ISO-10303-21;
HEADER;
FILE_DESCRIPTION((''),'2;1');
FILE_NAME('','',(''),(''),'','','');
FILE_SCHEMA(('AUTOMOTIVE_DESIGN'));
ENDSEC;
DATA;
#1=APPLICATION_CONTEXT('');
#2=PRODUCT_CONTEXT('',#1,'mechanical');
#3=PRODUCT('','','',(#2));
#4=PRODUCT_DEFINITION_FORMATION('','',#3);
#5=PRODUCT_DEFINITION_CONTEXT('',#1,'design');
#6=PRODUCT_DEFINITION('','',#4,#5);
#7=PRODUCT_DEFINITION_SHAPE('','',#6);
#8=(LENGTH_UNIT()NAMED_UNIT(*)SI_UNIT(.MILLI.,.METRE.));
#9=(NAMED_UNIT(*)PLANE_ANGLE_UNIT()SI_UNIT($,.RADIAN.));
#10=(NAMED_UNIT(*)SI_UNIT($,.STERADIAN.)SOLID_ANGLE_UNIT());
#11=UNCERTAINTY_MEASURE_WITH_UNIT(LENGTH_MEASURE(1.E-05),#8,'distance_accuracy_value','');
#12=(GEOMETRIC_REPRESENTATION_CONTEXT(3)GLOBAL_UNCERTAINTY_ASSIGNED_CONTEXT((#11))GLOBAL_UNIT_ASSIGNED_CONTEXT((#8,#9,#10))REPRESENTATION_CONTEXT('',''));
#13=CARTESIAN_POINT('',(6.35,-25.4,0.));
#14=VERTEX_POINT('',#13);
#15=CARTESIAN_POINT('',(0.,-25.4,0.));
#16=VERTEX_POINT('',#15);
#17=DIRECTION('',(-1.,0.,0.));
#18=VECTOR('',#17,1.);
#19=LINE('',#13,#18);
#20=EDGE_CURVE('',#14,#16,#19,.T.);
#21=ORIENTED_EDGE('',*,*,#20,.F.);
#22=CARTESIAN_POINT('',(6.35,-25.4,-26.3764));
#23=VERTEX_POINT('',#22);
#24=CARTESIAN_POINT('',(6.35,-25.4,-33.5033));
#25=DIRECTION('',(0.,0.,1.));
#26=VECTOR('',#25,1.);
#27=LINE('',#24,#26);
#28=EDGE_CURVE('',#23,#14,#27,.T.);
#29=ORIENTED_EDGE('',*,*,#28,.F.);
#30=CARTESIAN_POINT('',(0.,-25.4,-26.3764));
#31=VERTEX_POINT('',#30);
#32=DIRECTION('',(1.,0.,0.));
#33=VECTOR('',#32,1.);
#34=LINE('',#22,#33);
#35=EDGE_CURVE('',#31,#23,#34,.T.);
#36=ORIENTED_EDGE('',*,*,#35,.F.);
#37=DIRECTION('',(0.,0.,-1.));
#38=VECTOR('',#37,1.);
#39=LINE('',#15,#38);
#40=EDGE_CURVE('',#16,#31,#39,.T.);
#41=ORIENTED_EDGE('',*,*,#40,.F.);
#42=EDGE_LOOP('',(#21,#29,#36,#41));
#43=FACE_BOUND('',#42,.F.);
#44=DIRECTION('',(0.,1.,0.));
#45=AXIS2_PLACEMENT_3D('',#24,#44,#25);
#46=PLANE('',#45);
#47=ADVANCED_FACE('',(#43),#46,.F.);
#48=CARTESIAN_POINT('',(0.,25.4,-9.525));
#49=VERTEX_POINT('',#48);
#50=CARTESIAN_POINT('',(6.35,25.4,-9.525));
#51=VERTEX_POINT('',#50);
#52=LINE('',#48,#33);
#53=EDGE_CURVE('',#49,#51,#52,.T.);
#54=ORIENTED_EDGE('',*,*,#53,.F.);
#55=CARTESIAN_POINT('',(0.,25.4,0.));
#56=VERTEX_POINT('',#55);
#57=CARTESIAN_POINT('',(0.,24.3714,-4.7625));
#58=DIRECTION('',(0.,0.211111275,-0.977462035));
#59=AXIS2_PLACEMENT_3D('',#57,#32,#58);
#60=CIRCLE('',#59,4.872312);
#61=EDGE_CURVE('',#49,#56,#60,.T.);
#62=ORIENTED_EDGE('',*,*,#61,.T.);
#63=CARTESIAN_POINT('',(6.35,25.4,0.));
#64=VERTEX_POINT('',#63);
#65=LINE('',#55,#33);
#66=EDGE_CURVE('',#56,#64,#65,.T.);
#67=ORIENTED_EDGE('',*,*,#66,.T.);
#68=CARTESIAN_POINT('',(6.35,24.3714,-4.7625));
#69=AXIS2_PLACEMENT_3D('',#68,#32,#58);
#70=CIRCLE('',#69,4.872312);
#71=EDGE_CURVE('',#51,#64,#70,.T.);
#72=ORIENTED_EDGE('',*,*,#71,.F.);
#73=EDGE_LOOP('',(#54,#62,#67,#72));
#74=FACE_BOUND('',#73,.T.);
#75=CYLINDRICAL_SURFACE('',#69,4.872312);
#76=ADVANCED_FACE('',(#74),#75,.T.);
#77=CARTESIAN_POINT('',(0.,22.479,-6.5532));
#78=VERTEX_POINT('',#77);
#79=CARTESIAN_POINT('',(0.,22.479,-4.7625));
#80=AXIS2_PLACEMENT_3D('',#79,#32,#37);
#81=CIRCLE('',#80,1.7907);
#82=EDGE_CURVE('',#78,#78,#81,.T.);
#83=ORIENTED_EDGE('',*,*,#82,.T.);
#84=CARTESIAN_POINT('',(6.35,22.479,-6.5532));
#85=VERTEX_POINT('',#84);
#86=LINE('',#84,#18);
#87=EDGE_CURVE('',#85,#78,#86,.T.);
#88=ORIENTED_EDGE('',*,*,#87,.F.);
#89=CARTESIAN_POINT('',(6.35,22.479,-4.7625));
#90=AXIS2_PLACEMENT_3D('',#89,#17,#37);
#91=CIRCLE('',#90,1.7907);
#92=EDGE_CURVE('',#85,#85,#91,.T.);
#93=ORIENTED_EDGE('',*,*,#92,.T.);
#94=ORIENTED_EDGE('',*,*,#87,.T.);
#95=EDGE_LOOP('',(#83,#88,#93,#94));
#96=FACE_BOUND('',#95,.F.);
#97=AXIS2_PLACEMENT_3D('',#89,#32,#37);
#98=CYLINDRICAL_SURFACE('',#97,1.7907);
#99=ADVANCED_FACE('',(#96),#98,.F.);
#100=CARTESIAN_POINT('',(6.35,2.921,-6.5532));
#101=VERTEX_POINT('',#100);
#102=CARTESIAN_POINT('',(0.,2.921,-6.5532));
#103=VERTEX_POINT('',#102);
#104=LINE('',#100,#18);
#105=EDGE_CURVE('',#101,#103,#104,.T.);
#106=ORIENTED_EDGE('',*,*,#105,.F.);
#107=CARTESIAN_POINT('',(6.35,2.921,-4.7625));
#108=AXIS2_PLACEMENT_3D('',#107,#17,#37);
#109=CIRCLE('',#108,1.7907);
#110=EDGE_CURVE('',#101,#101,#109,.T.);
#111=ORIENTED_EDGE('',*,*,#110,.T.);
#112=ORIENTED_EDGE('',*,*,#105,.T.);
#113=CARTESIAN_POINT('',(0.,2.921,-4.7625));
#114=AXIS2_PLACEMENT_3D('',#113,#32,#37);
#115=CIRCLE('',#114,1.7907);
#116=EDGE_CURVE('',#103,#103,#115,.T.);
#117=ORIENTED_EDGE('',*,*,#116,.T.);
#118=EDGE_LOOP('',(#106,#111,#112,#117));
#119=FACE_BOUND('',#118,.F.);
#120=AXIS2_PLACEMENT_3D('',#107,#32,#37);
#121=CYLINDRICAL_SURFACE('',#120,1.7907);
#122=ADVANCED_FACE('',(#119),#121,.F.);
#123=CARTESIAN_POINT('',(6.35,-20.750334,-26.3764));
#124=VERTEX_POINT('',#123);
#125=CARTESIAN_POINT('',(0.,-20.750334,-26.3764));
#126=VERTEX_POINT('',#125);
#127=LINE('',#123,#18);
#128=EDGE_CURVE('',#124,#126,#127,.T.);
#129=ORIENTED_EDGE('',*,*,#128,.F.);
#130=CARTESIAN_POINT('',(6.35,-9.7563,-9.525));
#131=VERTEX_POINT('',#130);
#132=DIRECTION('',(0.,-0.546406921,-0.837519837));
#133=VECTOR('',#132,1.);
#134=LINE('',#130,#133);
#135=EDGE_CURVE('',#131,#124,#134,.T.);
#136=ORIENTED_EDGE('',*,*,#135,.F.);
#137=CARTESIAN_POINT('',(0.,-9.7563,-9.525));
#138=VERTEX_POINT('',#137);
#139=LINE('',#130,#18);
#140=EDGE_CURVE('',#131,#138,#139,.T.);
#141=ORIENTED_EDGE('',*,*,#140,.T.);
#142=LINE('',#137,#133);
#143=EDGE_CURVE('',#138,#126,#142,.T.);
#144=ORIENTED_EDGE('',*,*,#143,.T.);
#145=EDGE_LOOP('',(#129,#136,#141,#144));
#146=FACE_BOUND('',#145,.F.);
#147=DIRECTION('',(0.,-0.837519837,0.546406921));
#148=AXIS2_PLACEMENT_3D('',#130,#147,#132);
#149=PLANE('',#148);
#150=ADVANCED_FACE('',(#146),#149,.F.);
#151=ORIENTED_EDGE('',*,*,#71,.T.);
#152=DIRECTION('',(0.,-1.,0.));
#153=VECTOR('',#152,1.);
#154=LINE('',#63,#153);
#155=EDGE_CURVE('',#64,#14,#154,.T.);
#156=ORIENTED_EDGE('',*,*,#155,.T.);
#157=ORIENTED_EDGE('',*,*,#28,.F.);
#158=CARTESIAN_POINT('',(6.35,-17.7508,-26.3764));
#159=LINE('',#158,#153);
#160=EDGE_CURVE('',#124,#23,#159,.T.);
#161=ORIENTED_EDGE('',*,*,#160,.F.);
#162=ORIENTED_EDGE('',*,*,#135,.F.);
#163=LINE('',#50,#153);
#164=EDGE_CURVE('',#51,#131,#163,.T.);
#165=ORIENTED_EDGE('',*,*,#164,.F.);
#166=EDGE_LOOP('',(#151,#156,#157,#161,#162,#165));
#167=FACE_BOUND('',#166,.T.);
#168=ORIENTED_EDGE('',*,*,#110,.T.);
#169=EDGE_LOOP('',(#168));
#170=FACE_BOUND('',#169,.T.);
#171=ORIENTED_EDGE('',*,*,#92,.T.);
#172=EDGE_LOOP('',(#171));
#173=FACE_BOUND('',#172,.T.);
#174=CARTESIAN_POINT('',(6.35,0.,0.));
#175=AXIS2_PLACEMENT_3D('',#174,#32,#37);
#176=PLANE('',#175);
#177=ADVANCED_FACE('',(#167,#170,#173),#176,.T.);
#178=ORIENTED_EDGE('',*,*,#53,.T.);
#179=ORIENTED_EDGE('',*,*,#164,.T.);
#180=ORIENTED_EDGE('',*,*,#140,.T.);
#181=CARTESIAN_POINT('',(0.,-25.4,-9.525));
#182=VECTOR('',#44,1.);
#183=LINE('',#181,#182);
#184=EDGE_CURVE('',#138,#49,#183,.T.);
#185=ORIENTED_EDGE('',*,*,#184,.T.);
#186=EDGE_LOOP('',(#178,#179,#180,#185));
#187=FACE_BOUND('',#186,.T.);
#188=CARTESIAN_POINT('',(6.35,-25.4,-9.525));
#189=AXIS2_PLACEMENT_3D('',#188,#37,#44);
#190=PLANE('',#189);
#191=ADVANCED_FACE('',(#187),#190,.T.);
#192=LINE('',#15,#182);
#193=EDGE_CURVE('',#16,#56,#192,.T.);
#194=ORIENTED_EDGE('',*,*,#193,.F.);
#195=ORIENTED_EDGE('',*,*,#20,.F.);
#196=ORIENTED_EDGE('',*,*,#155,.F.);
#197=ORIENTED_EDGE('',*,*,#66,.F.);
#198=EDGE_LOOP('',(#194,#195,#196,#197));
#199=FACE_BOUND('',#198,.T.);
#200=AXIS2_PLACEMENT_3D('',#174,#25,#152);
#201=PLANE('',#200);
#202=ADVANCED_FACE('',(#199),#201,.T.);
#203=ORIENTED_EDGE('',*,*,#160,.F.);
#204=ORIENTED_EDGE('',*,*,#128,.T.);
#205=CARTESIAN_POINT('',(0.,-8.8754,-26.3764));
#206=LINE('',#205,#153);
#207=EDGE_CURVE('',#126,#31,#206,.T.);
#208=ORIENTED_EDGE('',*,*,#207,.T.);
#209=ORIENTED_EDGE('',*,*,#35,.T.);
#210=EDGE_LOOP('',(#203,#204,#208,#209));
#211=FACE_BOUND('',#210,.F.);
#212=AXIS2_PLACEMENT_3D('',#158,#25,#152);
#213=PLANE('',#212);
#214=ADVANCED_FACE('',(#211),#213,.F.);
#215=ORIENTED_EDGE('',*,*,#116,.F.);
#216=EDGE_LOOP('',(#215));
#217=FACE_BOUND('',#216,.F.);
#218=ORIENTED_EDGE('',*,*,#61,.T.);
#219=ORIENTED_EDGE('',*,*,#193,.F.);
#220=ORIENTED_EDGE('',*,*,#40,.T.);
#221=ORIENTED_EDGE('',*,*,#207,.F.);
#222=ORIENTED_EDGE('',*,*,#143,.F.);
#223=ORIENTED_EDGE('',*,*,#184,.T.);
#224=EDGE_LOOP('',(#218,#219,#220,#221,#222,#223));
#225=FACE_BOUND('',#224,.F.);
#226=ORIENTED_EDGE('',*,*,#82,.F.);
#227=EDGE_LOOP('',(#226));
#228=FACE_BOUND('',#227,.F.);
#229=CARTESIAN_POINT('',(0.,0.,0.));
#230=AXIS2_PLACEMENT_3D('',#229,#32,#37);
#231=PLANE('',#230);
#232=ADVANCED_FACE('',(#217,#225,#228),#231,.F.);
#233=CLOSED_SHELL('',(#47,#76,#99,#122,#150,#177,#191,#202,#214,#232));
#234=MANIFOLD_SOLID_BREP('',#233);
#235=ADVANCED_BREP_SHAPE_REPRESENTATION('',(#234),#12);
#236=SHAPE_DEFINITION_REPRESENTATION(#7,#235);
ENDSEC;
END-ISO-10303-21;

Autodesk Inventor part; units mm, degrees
ref_plane "YZ Plane" through (0, 0, 0) normal (1, 0, 0) x (0, 1, 0)
ref_plane "XZ Plane" through (0, 0, 0) normal (0, 1, 0) x (-1, 0, 0)
ref_plane "XY Plane" through (0, 0, 0) normal (0, 0, 1) x (1, 0, 0)
sketch "Sketch1" plane through (0, 0, 0) normal (1, 0, 0) x (0, 1, 0)
  line L0 (0, 0) -> (25.4, 0)
  line L1 (25.4, 0) -> (25.4, -9.525)
  line L2 (25.4, -9.525) -> (0, -9.525)
  line L3 (0, -9.525) -> (0, 0)
  dimension "d0" = 25.4
  dimension "d1" = 9.525
extrude "Extrusion1" add sketch "Sketch1" along normal blind 6.35
sketch "Sketch2" plane through (6.35, 0, 0) normal (1, 0, 0) x (0, 0, -1)
  line L0 (9.525, 25.4) -> (0, 25.4) projected
  line L1 (0, 0) -> (9.525, 25.4)
  line L2 (9.525, 25.4) -> (0, 25.4)
  line L3 (0, 0) -> (9.525, 0) projected
  line L4 (0, 25.4) -> (9.525, 0)
  circle A0 centre (4.7625, 12.7) radius 9.779
  circle A1 centre (4.7625, 22.479) radius 1.7907
  circle A2 centre (4.7625, 2.921) radius 1.7907
  dimension "d4" = 19.558
  dimension "d5" = 3.5814
  dimension "d6" = 3.5814
extrude "Extrusion2" cut sketch "Sketch2" against normal blind 14.2875 contours A1 A0 | A0 A1 | A2 A0 | A0 A2
sketch "Sketch3" plane through (6.35, 0, 0) normal (1, 0, 0) x (0, 0, -1)
  line L0 (9.525, 25.4) -> (0, 25.4) projected
  arc A0 (9.525, 25.4) -> (0, 25.4) centre (4.7625, 24.3714) ccw
  point P0 (0, 0)
extrude "Extrusion3" add sketch "Sketch3" against normal blind 6.35
sketch "Sketch4" plane through (6.35, 0, 0) normal (1, 0, 0) x (0, 0, -1)
  line L0 (0, 0) -> (9.525, 0) projected
  line L1 (9.525, 0) -> (0, 0)
  line L2 (0, 0) -> (0, -25.4)
  line L3 (0, -25.4) -> (9.525, -25.4)
  line L4 (9.525, -25.4) -> (9.525, 0)
  dimension "d15" = 25.4
extrude "Extrusion4" add sketch "Sketch4" against normal blind 6.35
sketch "Sketch5" plane through (6.35, 0, 0) normal (1, 0, 0) x (0, 0, -1)
  line L0 (9.525, -25.4) -> (9.525, 25.4) projected
  line L1 (9.525, -9.7563) -> (33.5033, -25.4)
  line L2 (33.5033, -25.4) -> (9.525, -25.4)
  point P0 (0, 0)
extrude "Extrusion5" add sketch "Sketch5" against normal blind 6.35
sketch "Sketch6" plane through (6.35, 0, 0) normal (1, 0, 0) x (0, 0, -1)
  line L0 (26.3764, -37.8164) -> (39.194, -37.8164)
  line L1 (39.194, -37.8164) -> (39.194, -17.7508)
  line L2 (39.194, -17.7508) -> (26.3764, -17.7508)
  line L3 (26.3764, -17.7508) -> (26.3764, -37.8164)
  point P0 (0, 0)
extrude "Extrusion6" cut sketch "Sketch6" against normal blind 63.5
properties part number "GripperOnS"
